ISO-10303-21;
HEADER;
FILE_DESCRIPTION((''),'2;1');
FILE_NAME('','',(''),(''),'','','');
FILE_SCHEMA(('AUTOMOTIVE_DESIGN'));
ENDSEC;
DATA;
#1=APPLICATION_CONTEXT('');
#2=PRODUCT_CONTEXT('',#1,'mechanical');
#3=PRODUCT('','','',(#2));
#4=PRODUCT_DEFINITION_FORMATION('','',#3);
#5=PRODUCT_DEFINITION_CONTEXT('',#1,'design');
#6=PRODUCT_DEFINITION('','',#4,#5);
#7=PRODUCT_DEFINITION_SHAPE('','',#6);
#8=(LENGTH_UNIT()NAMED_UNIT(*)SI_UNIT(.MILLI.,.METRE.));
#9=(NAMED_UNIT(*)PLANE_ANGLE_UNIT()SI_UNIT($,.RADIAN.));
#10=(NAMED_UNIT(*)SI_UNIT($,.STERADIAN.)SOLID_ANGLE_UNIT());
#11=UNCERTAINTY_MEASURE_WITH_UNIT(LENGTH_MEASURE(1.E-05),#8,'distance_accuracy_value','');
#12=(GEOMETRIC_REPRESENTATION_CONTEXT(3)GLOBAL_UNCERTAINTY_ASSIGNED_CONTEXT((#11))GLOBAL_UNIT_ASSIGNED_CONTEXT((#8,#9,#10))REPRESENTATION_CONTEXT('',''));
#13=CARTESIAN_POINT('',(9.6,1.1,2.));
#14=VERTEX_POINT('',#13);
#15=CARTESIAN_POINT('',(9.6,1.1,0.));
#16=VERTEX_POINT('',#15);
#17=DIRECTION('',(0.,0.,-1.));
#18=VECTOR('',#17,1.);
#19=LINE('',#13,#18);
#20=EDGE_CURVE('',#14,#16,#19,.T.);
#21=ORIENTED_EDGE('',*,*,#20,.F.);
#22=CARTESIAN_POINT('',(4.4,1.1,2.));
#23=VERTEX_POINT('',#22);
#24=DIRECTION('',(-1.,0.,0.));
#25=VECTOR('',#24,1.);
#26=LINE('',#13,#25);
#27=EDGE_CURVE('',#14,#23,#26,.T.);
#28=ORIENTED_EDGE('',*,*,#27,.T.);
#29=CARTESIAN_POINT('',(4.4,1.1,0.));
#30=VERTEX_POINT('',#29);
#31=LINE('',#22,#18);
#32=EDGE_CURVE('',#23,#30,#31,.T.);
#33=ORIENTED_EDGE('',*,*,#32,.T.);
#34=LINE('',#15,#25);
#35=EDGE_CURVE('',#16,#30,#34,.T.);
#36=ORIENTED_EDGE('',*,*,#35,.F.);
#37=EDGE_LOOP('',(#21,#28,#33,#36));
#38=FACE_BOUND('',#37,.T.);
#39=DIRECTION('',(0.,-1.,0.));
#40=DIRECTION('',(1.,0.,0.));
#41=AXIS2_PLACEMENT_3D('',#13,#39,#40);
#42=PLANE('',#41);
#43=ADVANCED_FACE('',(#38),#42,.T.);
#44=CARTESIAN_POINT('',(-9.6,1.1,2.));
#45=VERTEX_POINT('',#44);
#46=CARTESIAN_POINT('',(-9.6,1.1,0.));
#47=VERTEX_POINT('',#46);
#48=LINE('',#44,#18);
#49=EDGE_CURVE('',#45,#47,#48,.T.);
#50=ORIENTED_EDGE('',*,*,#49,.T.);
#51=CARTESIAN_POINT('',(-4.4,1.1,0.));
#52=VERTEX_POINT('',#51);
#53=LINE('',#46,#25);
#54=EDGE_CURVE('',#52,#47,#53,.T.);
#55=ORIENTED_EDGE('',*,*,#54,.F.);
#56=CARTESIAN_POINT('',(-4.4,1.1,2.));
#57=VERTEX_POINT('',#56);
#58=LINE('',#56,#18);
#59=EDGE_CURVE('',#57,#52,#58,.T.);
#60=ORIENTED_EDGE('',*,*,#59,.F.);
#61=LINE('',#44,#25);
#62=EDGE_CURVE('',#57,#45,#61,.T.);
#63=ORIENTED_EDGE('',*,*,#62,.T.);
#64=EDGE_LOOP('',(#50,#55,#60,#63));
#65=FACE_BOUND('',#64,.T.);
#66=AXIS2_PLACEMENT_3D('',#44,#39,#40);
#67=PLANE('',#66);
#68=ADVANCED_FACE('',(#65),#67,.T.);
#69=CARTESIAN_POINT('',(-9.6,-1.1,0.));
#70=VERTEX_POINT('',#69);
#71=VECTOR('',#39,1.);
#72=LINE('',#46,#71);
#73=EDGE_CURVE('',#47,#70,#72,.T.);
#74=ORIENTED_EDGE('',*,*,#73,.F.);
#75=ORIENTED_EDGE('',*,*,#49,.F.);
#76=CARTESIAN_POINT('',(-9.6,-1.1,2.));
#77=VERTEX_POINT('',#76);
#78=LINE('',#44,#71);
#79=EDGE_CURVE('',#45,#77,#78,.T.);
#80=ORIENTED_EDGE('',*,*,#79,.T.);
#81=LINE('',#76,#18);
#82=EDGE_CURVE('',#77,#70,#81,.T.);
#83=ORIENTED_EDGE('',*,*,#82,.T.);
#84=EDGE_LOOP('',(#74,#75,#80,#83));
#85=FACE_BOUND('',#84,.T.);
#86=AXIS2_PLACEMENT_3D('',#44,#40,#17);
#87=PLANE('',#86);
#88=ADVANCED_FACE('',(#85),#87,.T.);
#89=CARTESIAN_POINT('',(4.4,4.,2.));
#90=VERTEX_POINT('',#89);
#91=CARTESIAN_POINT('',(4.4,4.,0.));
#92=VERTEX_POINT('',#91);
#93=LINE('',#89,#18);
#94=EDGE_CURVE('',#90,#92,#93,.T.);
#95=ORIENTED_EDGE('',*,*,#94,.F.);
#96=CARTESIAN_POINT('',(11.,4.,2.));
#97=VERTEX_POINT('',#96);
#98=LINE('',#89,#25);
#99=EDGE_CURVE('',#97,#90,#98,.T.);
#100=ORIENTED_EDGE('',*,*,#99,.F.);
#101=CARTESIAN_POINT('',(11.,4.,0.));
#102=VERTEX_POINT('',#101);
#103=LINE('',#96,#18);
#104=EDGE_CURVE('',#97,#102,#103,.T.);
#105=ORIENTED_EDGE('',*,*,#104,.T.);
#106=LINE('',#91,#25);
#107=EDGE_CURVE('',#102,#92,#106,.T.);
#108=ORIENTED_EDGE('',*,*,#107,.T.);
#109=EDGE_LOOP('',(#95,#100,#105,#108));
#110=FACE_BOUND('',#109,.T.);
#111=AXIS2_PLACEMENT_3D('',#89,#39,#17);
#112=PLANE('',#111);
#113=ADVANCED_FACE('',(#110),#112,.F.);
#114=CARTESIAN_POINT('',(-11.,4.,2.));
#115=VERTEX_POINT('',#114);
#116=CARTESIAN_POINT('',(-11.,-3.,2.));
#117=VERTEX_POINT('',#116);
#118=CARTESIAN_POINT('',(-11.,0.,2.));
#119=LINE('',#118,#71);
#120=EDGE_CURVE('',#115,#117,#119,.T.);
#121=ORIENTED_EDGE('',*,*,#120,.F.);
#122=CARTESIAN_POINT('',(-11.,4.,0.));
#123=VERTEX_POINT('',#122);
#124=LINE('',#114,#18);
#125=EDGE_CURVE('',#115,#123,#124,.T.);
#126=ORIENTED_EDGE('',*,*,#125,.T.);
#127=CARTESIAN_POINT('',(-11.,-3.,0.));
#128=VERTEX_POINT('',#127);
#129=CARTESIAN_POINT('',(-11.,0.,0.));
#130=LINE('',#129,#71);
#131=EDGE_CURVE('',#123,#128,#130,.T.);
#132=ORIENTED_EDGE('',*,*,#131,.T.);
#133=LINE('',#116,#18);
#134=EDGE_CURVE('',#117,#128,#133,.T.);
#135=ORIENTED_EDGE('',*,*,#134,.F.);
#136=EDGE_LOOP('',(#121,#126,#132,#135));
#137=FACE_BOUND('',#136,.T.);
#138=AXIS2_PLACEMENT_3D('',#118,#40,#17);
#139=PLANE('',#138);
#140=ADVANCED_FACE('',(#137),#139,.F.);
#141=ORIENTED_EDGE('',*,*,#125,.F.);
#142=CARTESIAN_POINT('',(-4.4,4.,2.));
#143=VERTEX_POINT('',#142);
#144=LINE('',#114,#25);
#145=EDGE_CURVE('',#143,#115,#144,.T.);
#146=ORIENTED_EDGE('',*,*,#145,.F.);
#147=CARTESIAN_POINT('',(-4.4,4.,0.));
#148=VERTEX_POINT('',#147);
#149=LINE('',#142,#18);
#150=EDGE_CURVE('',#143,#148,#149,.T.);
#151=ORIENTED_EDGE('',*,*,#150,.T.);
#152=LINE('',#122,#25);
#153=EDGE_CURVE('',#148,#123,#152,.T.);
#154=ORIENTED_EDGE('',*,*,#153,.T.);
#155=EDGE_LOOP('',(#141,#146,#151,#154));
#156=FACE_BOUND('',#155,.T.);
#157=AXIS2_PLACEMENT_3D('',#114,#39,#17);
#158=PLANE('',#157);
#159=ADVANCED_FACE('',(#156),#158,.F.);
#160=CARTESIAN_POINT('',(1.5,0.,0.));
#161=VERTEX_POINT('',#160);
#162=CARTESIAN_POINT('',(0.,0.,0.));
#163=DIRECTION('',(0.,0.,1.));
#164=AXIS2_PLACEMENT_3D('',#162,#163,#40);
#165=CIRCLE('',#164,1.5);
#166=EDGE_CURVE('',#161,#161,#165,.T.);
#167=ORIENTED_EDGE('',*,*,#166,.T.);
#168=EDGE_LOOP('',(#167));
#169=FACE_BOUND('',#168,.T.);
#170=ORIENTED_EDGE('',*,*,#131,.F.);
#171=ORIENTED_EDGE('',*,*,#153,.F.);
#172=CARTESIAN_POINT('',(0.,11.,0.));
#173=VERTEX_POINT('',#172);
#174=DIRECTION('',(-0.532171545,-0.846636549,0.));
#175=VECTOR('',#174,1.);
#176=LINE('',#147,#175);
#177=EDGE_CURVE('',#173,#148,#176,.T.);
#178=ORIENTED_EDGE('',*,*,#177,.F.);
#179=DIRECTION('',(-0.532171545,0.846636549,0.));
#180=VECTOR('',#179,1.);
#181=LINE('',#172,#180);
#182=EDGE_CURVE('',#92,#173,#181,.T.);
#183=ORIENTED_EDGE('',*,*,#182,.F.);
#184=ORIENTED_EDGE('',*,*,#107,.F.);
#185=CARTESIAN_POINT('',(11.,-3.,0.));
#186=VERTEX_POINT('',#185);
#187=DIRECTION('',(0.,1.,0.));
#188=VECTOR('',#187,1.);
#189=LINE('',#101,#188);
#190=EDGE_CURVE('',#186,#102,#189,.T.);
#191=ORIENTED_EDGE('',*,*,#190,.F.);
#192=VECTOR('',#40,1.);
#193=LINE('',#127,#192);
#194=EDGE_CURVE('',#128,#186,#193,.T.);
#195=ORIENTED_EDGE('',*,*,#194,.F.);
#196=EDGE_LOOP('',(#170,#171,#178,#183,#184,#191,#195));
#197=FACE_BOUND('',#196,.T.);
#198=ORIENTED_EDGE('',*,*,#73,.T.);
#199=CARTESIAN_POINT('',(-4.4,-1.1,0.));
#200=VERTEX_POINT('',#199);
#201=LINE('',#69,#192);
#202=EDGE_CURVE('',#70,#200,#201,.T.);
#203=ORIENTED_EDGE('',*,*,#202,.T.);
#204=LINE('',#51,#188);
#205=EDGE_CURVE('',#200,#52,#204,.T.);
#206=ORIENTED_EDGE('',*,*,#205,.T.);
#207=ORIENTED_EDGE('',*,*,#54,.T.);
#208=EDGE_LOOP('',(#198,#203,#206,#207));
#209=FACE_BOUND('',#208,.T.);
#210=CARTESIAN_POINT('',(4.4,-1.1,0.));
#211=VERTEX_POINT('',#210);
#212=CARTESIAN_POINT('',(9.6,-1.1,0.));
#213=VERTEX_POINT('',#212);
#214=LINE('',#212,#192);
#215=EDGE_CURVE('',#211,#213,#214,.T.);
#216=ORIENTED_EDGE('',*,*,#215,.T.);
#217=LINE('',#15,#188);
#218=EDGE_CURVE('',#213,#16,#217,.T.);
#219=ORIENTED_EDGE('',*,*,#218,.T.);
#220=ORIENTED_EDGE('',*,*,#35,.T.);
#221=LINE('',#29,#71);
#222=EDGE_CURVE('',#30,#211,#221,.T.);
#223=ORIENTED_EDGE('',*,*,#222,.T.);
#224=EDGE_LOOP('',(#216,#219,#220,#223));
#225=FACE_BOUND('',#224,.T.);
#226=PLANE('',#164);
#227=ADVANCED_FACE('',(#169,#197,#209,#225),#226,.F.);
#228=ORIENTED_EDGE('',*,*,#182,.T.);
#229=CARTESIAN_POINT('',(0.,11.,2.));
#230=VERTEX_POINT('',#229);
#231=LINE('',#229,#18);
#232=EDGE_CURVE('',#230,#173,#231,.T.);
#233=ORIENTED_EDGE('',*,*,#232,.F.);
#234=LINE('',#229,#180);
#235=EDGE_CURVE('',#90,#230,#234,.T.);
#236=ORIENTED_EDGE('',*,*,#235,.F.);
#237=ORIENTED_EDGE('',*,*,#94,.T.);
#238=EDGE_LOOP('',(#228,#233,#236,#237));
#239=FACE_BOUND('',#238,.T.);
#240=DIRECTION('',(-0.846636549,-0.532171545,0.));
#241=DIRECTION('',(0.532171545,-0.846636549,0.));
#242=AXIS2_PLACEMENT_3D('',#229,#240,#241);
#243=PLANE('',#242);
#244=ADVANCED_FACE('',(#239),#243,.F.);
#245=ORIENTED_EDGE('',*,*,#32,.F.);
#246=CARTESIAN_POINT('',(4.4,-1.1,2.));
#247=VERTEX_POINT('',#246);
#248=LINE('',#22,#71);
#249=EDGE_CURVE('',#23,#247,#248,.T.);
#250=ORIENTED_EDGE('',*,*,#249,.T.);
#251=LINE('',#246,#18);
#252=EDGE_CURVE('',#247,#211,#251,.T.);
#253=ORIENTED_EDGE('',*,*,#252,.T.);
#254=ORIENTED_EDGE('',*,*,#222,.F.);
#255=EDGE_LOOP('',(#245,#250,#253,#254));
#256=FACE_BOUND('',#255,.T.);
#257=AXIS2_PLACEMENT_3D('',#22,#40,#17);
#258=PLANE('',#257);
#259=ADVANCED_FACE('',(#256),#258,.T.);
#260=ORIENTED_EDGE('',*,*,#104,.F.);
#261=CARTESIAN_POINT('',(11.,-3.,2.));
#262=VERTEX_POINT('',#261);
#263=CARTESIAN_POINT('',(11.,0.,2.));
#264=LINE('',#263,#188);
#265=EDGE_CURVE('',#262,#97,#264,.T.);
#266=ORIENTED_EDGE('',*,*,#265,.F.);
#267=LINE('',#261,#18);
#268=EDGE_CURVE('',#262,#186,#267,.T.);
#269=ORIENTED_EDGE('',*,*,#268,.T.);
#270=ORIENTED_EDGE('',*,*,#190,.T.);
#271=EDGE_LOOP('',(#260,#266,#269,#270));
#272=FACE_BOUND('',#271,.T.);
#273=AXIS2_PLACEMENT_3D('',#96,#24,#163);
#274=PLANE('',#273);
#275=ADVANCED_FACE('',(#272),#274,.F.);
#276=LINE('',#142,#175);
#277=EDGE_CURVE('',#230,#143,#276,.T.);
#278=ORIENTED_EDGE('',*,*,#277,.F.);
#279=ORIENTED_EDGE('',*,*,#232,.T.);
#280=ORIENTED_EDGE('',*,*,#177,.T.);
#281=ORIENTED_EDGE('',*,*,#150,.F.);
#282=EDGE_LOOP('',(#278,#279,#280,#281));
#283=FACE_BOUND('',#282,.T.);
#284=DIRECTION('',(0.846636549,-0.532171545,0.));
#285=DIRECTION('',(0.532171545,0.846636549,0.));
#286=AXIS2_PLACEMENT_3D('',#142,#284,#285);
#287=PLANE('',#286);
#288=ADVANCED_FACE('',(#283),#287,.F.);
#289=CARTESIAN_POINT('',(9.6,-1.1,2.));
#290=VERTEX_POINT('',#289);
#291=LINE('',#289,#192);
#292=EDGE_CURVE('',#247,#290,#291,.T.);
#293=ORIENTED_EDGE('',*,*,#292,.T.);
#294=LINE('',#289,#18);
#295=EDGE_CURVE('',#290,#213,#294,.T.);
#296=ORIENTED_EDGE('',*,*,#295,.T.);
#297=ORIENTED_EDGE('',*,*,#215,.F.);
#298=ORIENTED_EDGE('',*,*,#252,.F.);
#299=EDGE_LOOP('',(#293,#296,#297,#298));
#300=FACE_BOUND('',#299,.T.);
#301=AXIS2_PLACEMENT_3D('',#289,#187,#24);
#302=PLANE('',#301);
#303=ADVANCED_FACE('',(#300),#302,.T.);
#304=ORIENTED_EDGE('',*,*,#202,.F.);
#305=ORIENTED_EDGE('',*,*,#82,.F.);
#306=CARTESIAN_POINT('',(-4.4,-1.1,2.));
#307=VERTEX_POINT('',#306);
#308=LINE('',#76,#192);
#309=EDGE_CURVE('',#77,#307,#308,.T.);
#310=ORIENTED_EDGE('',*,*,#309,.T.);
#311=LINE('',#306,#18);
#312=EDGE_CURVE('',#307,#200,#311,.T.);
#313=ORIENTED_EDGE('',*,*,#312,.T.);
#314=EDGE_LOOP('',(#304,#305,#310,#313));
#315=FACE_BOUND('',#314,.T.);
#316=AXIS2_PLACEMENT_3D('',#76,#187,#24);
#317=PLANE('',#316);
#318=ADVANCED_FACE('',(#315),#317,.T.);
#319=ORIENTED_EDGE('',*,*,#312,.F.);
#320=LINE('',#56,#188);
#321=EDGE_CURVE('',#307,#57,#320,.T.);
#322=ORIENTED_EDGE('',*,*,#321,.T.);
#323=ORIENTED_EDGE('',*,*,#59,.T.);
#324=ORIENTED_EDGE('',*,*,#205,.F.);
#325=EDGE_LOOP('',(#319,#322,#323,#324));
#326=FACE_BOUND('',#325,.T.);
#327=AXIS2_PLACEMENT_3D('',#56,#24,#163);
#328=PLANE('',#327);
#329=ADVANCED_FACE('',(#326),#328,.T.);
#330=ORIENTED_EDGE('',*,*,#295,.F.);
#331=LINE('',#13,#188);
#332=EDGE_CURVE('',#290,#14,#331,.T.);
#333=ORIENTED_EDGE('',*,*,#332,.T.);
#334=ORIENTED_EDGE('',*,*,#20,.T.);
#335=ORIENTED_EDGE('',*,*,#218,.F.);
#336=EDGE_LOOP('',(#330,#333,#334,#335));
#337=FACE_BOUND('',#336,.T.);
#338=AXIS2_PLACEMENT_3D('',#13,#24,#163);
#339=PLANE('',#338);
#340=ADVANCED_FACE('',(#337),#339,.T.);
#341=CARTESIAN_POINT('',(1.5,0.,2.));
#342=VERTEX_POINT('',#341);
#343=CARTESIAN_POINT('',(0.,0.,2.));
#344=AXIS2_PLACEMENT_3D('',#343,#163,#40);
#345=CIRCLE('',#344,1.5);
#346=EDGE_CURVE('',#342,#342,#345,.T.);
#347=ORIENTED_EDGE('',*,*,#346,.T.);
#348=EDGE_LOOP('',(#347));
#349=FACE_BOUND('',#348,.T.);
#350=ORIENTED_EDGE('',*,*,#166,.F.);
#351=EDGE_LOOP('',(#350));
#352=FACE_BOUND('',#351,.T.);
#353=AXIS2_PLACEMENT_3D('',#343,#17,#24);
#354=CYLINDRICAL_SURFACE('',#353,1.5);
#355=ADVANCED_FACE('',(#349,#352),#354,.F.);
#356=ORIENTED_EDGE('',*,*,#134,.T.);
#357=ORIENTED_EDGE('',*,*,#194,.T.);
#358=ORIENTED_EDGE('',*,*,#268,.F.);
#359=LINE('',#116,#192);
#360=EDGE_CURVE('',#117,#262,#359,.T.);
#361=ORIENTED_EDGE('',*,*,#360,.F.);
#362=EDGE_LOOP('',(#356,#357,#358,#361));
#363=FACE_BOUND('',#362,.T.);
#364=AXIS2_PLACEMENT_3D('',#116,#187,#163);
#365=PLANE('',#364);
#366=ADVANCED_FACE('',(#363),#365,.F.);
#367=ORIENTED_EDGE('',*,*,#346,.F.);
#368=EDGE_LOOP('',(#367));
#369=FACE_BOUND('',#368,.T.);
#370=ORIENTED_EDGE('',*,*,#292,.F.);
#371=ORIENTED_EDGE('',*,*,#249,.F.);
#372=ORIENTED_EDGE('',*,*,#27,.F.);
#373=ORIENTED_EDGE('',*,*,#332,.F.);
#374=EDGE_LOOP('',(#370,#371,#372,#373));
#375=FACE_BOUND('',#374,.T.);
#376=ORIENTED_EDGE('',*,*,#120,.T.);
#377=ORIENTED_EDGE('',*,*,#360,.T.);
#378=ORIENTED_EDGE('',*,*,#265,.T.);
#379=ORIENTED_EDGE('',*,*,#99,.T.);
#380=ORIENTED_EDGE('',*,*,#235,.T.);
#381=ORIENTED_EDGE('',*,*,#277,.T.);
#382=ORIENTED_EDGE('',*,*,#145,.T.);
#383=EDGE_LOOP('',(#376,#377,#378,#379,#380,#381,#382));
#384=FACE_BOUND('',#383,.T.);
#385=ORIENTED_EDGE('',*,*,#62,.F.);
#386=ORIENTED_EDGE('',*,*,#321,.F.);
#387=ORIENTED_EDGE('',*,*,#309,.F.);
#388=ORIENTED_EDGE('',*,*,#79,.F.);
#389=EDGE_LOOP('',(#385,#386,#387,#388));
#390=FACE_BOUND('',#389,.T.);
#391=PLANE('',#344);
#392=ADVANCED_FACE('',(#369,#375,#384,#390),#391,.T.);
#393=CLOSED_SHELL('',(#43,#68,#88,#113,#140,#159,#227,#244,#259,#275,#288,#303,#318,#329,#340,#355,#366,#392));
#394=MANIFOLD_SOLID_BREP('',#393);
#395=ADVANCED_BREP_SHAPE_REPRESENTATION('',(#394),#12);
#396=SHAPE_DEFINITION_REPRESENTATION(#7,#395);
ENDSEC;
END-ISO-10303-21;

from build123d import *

# Parameters (mm, degrees)
SKETCH_1_R      = 1.5
SKETCH_1_W      = 5.2
SKETCH_1_H      = 2.2
EXTRUDE_1_DEPTH = 2


with BuildPart() as part:
    # 草图1 → 凸台-拉伸1 (new body)
    with BuildSketch(Plane.XY):
        Polygon((-11, 0), (-11, -3), (11, -3), (11, 0), (11, 4), (4.4, 4), (0, 11), (-4.4, 4), (-11, 4), align=None)
        Circle(SKETCH_1_R, mode=Mode.SUBTRACT)
        with Locations((7, 0)):
            Rectangle(SKETCH_1_W, SKETCH_1_H, mode=Mode.SUBTRACT)
        with Locations((-7, 0)):
            Rectangle(SKETCH_1_W, SKETCH_1_H, mode=Mode.SUBTRACT)
    extrude(amount=EXTRUDE_1_DEPTH)


solid = part.part
